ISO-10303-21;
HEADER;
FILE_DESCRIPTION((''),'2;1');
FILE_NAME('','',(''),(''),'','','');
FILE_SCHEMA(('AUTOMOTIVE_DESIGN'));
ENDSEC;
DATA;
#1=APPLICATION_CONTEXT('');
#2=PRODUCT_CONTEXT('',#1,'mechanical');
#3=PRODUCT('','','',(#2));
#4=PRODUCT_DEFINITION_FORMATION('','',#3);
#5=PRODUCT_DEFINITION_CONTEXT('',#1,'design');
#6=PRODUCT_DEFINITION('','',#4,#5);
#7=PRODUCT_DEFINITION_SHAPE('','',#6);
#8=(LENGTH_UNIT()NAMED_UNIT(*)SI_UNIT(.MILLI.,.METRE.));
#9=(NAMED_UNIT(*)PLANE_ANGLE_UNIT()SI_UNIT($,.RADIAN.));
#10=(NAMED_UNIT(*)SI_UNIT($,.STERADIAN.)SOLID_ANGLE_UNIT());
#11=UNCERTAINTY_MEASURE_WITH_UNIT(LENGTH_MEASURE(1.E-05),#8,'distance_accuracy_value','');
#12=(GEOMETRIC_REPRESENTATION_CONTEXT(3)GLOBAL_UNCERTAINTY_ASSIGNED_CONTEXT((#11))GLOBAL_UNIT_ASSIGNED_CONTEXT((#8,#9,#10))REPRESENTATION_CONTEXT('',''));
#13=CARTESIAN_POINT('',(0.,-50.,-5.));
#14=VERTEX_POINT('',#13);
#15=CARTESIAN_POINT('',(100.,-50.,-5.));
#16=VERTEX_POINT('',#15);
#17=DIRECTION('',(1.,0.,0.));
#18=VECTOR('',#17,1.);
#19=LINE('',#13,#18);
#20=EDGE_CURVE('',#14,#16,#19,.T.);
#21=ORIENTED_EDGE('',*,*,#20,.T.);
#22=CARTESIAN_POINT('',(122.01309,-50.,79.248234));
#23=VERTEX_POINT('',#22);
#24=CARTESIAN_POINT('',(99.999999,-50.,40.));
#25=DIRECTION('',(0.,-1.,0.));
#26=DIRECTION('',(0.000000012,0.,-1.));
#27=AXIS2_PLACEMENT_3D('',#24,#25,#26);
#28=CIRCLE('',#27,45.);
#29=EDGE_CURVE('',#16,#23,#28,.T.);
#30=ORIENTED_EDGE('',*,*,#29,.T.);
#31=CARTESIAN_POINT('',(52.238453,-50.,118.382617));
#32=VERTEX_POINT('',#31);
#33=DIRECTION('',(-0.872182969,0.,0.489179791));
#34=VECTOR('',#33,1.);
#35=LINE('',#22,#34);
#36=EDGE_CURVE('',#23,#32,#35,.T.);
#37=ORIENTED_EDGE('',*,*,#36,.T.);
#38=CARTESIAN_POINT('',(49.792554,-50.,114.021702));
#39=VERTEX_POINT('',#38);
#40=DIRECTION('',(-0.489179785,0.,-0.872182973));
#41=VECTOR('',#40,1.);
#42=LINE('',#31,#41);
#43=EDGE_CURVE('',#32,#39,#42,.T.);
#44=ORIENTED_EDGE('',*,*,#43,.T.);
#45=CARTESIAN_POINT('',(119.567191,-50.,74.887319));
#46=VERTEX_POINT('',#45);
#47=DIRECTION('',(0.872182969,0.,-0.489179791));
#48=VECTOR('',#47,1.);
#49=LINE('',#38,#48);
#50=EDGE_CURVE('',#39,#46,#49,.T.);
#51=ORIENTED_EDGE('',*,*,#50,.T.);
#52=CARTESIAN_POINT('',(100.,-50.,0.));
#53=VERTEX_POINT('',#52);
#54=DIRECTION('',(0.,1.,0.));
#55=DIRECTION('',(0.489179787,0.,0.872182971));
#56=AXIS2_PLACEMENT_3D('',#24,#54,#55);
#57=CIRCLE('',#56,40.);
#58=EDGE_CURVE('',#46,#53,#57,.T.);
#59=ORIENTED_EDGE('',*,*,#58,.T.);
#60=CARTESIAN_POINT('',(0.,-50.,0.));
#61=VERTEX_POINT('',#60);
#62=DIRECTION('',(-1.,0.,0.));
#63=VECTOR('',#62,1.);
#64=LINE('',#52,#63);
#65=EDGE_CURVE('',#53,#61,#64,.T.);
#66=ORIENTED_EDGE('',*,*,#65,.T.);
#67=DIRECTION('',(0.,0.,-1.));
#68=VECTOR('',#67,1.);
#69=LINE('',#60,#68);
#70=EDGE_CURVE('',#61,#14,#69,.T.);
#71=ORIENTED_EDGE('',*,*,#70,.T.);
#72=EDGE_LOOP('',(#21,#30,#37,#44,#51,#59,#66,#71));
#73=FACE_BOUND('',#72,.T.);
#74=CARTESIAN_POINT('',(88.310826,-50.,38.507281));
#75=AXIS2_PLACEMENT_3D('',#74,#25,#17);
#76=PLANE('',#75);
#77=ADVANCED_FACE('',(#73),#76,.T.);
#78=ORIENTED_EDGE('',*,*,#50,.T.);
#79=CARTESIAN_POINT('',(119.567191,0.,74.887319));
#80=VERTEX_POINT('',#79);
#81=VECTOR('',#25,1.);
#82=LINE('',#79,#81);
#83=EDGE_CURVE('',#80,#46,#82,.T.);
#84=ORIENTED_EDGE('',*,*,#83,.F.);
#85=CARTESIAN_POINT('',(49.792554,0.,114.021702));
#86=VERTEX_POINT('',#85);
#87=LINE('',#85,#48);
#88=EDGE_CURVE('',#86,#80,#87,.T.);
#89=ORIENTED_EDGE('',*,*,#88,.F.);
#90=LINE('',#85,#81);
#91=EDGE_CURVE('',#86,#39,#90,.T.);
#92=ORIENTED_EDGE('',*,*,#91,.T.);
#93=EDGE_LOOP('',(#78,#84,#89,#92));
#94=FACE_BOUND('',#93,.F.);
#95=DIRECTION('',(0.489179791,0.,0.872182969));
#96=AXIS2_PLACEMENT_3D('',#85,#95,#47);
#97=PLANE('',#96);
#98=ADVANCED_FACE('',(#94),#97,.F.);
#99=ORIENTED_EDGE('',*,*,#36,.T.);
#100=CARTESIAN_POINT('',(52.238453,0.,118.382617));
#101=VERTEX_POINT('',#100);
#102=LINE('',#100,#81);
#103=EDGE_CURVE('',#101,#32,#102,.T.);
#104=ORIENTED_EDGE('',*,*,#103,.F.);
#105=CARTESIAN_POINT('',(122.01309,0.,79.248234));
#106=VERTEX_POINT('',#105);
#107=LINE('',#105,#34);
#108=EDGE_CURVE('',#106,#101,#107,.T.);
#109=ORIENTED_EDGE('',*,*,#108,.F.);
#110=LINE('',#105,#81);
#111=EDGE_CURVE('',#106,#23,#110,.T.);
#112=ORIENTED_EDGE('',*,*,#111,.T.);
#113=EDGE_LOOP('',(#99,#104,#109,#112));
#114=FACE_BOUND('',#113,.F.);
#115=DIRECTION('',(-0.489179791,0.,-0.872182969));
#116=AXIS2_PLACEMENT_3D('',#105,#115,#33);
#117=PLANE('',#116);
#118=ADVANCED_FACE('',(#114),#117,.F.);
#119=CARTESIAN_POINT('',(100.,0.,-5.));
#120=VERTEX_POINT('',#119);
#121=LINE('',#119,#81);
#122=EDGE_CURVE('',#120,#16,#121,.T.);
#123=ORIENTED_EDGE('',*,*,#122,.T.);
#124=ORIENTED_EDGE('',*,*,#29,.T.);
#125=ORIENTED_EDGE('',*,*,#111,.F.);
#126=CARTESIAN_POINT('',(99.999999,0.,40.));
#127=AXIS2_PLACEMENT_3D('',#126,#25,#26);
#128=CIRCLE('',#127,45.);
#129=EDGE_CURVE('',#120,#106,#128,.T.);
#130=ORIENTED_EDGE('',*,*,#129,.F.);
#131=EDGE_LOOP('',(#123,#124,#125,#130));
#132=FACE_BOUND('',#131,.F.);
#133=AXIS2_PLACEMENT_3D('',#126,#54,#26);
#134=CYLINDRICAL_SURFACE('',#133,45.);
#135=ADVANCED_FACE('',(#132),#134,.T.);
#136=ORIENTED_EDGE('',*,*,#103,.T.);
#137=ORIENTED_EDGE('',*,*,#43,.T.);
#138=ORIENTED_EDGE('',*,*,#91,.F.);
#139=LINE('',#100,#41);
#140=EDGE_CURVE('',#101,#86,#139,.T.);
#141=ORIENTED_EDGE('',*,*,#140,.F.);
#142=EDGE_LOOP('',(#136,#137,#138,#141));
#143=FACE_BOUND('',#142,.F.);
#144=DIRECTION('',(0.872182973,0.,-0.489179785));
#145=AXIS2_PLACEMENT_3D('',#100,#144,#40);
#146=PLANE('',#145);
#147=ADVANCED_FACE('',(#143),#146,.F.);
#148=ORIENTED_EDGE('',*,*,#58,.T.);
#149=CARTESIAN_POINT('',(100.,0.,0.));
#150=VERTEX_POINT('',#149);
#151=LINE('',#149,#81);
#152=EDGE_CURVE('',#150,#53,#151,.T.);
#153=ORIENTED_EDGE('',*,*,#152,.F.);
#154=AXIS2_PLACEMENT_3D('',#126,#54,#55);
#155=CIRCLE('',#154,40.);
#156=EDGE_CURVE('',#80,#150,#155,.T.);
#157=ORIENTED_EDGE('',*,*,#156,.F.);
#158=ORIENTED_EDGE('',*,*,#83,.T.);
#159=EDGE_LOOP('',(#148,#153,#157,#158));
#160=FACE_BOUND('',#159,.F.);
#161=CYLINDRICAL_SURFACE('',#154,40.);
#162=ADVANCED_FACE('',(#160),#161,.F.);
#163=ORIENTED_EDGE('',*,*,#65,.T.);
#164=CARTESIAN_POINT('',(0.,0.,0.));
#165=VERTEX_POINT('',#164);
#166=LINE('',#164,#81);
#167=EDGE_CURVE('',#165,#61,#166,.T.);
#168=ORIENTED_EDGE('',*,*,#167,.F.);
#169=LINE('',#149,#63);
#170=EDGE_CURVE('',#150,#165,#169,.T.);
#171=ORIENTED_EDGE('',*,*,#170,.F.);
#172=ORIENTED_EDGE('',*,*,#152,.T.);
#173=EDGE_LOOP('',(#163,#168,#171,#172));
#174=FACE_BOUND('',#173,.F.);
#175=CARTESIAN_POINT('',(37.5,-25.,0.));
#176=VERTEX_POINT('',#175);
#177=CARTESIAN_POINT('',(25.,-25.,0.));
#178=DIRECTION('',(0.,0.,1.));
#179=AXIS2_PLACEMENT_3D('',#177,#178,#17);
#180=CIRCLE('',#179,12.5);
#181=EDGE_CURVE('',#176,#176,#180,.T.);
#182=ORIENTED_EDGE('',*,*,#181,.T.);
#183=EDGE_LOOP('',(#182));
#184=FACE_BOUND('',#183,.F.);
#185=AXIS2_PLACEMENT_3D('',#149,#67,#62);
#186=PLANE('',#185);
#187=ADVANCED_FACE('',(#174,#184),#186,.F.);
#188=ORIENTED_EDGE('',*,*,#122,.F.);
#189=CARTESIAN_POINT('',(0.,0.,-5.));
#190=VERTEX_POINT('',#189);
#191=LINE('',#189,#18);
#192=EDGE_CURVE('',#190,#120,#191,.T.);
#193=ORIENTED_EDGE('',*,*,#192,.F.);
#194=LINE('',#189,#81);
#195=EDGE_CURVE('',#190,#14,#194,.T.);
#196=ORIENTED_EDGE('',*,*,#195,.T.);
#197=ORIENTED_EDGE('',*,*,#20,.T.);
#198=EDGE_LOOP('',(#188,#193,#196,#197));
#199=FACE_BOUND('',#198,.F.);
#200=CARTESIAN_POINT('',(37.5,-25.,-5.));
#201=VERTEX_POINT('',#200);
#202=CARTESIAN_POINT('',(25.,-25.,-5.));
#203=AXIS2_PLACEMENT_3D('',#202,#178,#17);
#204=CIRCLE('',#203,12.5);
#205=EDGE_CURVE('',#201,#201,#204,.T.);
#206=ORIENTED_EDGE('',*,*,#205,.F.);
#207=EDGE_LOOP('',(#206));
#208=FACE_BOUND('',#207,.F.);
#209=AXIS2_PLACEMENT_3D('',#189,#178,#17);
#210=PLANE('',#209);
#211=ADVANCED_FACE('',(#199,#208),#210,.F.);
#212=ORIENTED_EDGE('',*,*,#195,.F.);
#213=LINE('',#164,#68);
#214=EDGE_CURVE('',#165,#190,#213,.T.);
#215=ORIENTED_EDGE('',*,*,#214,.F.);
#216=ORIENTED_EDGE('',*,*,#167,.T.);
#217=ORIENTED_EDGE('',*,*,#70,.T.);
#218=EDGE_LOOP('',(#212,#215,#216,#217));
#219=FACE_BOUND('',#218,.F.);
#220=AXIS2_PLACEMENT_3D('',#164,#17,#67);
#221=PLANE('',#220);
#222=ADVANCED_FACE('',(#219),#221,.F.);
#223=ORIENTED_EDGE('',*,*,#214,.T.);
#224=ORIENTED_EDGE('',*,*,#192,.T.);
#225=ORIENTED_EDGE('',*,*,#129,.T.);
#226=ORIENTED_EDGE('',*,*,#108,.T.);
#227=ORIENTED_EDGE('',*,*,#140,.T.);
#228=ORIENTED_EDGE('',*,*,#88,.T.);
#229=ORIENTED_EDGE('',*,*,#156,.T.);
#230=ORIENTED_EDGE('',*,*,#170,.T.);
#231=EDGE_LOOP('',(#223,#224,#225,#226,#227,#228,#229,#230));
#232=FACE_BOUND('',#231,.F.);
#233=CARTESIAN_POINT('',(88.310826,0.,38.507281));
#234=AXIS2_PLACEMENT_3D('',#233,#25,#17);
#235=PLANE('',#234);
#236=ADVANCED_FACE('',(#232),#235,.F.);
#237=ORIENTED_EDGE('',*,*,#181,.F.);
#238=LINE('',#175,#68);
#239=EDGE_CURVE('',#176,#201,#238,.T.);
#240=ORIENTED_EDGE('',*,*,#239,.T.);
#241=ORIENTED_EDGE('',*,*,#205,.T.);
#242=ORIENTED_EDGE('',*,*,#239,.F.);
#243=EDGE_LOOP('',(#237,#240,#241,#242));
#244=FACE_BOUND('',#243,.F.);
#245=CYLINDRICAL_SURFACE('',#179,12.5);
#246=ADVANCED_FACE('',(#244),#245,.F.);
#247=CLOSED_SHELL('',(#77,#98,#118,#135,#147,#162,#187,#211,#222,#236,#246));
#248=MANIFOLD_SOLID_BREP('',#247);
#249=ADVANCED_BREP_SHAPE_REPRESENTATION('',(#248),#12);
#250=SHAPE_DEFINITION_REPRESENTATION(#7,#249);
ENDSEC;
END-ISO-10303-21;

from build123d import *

# Parameters (mm, degrees)
F1_DEPTH = 50
F2_R     = 12.5
F3_DEPTH = 5.001


with BuildPart() as f1:
    # F0 (on Front) → F1 (new body)
    with BuildSketch(Plane.XZ):
        with BuildLine():
            Line((100, 0), (0, 0))
            Line((0, 0), (0, -5))
            Line((0, -5), (100, -5))
            ThreePointArc((100, -5), (143.538319, 28.62394), (122.01309, 79.248234))
            Line((122.01309, 79.248234), (52.238453, 118.382617))
            Line((52.238453, 118.382617), (49.792554, 114.021702))
            Line((49.792554, 114.021702), (119.567191, 74.887319))
            ThreePointArc((119.567191, 74.887319), (138.700728, 29.887947), (100, 0))
        make_face()
    extrude(amount=F1_DEPTH)

    # F2 (on face) → F3 (cut, through all)
    with BuildSketch(Plane.XY):
        with Locations((25, -25)):
            Circle(F2_R)
    extrude(amount=-F3_DEPTH, mode=Mode.SUBTRACT)


solid = f1.part
